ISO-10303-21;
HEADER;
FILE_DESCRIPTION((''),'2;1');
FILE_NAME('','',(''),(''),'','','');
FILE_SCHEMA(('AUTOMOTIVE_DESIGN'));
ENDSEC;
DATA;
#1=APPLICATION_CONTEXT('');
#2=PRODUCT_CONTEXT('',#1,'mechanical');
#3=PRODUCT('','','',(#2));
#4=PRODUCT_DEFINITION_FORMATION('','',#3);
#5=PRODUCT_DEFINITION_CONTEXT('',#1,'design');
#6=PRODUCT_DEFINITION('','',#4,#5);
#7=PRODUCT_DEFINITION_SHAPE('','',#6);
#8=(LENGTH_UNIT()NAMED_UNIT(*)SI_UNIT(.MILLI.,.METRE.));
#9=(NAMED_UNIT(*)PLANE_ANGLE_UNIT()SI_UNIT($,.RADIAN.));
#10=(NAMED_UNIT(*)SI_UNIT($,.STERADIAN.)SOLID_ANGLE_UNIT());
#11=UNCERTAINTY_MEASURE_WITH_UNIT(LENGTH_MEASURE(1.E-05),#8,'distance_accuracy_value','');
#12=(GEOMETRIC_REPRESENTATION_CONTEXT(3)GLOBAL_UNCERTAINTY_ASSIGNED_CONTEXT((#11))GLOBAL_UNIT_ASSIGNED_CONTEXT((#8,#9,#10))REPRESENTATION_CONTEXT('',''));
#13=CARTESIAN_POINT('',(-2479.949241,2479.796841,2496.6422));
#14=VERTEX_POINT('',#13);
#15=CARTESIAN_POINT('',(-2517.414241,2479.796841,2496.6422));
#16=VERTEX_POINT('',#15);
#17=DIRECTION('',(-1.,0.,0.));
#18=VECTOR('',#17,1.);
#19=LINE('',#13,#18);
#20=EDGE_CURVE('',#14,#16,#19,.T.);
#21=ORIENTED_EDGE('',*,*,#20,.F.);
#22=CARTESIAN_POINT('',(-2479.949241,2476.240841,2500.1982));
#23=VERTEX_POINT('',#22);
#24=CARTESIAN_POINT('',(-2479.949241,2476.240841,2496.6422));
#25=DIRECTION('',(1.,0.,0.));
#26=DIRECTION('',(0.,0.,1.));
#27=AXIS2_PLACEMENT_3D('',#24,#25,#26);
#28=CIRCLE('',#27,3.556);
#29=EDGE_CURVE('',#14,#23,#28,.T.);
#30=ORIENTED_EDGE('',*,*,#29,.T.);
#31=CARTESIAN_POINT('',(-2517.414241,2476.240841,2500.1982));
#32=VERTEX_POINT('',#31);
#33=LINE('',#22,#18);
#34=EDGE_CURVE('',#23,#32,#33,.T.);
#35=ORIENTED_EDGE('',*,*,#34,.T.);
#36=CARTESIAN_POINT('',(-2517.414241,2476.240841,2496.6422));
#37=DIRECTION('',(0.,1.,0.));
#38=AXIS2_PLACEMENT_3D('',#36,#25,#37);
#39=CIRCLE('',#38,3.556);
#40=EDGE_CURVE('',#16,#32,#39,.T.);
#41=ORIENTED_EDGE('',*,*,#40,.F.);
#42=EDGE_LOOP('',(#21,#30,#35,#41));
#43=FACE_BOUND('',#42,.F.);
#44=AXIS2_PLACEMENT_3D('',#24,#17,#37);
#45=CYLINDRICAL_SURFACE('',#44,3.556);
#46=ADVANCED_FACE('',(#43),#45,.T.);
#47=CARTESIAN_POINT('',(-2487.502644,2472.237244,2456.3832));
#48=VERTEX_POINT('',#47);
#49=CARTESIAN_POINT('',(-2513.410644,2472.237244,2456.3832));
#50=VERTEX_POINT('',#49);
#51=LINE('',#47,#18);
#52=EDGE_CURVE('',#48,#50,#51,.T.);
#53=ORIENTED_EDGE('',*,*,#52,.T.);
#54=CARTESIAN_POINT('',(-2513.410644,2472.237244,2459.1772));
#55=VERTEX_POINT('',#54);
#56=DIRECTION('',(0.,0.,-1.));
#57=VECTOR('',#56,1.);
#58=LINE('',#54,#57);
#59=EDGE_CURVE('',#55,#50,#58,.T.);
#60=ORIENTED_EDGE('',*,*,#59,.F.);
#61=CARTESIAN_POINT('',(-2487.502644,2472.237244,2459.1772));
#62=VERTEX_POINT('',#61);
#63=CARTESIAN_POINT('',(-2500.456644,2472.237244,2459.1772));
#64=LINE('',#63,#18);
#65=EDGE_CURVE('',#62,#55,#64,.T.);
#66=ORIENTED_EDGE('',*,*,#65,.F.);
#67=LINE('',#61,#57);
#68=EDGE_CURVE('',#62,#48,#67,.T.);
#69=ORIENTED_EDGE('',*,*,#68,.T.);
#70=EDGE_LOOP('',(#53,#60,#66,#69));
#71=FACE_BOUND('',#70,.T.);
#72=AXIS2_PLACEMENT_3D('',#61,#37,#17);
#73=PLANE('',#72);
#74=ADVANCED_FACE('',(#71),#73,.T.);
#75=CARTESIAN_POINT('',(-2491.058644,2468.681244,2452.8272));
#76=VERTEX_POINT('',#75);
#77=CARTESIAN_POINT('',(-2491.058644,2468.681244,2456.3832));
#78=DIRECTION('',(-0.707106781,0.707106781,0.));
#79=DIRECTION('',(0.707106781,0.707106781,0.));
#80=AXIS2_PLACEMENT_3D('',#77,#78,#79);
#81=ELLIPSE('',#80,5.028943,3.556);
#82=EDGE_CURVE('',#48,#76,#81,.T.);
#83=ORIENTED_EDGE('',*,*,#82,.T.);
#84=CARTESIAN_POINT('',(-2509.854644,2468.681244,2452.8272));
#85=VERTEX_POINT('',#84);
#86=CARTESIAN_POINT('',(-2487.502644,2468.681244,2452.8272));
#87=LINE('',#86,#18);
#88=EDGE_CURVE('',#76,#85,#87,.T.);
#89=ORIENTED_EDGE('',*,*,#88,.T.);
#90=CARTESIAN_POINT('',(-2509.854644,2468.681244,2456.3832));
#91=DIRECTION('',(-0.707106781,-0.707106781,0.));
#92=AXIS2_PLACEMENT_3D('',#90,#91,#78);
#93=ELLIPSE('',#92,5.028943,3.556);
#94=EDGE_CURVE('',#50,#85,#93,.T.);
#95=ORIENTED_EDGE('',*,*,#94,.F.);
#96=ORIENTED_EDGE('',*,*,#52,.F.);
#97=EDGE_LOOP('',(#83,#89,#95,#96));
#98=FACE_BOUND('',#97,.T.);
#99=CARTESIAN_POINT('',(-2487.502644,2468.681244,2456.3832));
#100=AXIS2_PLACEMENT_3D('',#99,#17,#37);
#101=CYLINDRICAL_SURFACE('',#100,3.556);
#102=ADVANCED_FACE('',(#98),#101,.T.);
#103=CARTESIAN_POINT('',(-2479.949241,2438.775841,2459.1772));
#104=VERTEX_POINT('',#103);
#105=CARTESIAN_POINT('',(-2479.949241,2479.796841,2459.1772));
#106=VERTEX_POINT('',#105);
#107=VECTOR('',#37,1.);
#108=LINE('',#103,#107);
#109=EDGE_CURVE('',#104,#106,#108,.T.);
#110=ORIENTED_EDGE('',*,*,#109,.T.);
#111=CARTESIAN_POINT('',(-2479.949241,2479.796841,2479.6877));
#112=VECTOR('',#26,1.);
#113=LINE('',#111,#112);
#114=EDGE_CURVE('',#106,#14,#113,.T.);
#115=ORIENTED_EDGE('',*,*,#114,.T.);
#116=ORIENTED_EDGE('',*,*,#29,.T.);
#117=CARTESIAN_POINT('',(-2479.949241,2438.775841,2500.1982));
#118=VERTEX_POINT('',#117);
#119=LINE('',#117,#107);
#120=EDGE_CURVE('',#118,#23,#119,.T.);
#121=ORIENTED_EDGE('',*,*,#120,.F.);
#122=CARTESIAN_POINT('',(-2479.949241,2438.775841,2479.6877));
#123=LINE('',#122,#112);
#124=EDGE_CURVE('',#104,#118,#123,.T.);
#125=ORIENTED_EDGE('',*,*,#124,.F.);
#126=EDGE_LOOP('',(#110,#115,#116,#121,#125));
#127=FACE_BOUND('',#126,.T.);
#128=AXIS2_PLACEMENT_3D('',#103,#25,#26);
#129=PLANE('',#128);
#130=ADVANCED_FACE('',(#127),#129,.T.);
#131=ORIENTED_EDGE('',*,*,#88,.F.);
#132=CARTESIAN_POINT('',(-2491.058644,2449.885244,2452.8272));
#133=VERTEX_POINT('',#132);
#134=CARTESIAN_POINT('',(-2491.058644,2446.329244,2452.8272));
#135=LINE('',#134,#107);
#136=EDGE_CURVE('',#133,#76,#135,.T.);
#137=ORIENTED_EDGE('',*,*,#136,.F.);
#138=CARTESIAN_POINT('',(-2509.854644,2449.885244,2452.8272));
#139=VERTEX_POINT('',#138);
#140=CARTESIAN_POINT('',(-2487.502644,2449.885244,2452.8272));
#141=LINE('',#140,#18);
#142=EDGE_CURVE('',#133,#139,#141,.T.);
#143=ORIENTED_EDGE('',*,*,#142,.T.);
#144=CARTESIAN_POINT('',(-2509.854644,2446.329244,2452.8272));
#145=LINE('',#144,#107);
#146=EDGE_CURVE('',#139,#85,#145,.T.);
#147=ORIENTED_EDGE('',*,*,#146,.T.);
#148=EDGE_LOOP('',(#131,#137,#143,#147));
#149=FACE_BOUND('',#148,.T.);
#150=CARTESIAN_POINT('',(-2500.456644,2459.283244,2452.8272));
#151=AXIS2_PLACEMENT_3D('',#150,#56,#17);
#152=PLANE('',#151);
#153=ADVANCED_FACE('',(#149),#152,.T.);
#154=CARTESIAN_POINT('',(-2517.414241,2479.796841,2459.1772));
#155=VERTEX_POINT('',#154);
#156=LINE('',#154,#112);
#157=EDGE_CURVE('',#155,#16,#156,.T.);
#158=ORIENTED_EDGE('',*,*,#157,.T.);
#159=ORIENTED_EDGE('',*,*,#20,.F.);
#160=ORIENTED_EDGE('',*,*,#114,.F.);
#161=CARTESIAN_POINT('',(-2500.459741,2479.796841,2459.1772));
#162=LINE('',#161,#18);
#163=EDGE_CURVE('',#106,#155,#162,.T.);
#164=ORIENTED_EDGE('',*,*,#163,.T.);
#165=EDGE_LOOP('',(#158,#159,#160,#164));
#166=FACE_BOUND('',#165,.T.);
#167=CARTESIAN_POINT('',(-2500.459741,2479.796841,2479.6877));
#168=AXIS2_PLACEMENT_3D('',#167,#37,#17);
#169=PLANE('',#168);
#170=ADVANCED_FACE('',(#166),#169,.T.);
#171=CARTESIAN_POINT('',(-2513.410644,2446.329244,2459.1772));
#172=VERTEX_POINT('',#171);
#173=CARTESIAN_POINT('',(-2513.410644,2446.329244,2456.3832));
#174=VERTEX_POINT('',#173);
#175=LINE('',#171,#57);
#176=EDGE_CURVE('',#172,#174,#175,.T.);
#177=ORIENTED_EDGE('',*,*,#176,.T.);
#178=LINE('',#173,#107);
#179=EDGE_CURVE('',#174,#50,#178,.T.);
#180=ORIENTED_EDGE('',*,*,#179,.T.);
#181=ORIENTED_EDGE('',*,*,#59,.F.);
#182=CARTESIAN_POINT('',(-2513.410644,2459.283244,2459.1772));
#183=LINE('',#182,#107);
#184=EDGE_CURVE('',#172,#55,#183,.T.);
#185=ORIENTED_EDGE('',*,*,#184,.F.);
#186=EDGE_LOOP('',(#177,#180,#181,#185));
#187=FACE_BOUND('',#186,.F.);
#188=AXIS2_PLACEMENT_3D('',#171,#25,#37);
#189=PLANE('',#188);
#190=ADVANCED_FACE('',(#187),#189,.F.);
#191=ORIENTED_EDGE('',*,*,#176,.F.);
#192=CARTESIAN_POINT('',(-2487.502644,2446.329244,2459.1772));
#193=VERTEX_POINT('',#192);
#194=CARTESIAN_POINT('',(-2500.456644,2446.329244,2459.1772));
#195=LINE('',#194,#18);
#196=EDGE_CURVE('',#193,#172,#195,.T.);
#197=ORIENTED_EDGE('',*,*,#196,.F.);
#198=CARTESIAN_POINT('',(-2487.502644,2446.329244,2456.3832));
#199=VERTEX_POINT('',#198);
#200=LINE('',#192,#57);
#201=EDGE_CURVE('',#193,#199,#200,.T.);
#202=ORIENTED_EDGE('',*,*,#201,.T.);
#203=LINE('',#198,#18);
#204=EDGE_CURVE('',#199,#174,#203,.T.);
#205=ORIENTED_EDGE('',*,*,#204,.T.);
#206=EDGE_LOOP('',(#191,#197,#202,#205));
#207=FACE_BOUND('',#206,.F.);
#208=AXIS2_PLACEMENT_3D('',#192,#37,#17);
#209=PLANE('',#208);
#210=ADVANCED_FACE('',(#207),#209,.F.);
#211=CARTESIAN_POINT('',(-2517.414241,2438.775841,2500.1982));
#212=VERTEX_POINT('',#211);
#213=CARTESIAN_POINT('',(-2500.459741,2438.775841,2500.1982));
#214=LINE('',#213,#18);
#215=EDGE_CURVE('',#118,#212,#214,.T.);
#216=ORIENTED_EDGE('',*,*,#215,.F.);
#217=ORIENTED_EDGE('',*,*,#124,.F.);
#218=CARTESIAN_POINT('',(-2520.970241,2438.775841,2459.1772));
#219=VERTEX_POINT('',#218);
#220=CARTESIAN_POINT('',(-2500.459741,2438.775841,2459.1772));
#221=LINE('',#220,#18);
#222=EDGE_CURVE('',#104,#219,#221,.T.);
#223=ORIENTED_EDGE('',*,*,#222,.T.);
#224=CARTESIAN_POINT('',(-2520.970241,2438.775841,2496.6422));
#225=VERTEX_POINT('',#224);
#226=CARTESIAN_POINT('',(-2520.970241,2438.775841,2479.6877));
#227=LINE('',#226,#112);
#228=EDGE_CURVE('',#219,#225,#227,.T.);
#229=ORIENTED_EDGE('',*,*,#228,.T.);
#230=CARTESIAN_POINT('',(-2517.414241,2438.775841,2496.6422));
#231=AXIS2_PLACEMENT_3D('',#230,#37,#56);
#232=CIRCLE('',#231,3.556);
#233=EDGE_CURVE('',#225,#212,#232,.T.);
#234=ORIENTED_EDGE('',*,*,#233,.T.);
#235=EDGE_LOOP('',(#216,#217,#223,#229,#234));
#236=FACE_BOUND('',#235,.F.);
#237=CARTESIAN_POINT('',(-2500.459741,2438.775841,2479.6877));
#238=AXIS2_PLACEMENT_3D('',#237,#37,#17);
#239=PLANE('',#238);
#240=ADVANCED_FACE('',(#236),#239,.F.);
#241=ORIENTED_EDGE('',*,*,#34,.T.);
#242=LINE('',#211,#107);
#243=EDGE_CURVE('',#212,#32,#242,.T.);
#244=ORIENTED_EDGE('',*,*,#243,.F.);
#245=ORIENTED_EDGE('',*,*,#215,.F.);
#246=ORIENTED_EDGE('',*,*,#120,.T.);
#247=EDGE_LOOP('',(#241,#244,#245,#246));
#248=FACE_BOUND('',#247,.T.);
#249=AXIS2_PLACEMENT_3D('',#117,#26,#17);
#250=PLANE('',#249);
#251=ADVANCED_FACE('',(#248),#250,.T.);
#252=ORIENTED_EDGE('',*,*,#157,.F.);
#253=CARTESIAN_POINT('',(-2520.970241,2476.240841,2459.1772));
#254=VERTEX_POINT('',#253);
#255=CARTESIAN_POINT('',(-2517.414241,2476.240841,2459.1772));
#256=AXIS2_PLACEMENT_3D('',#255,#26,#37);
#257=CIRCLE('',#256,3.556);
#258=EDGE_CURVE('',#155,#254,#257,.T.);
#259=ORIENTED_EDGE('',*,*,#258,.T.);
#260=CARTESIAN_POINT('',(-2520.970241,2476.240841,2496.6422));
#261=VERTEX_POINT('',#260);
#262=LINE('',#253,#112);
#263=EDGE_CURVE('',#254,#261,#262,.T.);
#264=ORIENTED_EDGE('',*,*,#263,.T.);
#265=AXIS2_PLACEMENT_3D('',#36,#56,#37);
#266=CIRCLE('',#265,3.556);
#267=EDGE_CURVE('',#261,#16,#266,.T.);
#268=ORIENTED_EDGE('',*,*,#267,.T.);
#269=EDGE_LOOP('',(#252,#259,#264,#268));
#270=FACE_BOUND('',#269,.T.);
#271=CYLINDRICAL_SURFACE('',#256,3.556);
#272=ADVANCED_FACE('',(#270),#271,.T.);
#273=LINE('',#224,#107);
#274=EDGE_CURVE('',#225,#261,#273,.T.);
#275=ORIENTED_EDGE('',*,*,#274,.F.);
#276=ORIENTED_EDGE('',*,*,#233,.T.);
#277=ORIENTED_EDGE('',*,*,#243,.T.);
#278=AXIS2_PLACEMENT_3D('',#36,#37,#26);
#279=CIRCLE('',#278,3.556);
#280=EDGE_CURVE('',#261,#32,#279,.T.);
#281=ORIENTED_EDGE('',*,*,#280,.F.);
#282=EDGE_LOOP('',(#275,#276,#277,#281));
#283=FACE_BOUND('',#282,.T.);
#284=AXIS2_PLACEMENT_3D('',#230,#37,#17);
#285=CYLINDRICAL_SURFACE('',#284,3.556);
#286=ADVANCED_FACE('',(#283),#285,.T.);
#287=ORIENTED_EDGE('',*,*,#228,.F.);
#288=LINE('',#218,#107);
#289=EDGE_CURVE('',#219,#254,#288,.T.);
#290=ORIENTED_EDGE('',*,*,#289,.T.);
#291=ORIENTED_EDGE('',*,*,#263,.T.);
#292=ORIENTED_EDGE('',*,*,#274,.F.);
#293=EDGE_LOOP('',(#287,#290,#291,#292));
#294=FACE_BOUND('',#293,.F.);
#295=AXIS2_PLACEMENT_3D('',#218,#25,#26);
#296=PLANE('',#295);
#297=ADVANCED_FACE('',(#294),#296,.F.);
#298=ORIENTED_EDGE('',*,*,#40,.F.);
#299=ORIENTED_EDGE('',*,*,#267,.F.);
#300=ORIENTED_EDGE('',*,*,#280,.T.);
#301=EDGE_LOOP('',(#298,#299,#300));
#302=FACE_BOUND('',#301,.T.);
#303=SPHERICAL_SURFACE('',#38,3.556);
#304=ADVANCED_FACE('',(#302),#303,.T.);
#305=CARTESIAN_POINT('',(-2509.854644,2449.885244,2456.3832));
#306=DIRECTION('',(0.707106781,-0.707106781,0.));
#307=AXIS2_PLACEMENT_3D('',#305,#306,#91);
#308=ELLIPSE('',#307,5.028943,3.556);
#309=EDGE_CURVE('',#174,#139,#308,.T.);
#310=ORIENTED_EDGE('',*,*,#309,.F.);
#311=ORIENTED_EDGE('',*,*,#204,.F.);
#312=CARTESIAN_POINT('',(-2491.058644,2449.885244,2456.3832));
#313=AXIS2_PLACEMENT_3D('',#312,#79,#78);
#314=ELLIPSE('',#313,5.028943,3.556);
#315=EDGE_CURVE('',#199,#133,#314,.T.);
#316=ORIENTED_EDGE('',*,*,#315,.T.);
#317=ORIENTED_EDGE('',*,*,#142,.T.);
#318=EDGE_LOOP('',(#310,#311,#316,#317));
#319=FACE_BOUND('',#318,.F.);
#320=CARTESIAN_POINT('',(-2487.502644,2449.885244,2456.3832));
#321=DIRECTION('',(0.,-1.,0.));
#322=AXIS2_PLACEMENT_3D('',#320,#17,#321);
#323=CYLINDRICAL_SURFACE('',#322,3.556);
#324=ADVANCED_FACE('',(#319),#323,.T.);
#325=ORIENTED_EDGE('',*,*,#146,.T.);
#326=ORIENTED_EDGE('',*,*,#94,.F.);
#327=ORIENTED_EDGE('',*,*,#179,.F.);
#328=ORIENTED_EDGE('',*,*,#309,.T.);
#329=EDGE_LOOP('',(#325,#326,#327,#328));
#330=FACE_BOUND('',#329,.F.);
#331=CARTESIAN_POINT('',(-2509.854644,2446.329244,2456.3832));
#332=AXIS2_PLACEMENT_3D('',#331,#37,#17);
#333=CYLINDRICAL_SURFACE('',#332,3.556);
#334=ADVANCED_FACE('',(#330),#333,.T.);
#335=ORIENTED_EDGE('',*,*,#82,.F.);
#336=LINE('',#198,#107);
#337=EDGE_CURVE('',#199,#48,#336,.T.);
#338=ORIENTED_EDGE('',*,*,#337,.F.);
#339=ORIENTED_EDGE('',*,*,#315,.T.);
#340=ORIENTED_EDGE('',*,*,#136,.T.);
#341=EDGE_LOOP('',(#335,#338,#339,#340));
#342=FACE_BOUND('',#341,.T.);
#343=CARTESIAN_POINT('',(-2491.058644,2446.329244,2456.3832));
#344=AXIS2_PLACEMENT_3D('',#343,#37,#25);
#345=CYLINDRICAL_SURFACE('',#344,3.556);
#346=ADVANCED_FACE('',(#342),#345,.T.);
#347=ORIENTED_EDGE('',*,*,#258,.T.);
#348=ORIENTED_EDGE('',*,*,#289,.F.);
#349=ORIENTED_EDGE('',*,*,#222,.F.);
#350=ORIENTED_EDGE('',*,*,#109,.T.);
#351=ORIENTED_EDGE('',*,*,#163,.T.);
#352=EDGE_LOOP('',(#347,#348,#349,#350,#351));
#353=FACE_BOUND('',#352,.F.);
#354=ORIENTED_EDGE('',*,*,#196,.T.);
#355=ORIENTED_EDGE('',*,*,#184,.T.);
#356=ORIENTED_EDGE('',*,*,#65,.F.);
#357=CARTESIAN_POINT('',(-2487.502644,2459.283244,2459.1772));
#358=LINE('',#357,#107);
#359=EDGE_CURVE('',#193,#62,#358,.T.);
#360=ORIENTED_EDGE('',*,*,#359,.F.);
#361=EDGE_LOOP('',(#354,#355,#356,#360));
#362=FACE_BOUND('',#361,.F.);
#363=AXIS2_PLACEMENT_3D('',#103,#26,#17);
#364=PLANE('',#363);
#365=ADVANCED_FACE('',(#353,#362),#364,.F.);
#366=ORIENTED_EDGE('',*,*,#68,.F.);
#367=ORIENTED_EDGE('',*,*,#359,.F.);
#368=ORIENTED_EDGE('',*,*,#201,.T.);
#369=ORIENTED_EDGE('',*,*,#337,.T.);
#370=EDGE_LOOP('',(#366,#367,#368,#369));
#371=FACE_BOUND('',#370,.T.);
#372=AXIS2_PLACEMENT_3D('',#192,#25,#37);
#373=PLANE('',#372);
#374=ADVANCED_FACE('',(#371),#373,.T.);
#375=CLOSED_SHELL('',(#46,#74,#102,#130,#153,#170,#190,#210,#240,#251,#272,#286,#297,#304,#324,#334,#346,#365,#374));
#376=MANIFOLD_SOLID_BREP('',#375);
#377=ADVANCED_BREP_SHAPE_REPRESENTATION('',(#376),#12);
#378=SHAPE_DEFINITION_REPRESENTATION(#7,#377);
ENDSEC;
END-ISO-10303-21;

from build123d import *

# Parameters (mm, degrees)
SKETCH063_W             = 41.021
SKETCH063_H             = 41.021
PAD053_DEPTH            = 41.021
SKETCH064_W             = 25.908
SKETCH064_H             = 25.908
PAD054_DEPTH            = 6.35
FILLET009_R             = 3.556
FILLET008_R             = 3.556
BODY043_PLACEMENT_ANGLE = 180


with BuildPart() as part:
    # Sketch063 → Pad053 (new body)
    with BuildSketch(Plane.XZ):
        with Locations((20.5105, 20.5105)):
            Rectangle(SKETCH063_W, SKETCH063_H)
    extrude(amount=PAD053_DEPTH)

    # Sketch064 (on Face3 of Pad053) → Pad054 (join)
    with BuildSketch(Plane(origin=(0, 0, 0), x_dir=(1, 0, 0), z_dir=(0, 0, -1))):
        with Locations((20.507403, 20.507403)):
            Rectangle(SKETCH064_W, SKETCH064_H)
    extrude(amount=PAD054_DEPTH)

    # Fillet009
    fillet009_edges = [part.edges().sort_by_distance(p)[0] for p in [
        (7.553403, -20.507403, -6.35),
        (20.507403, -33.461403, -6.35),
        (20.507403, -7.553403, -6.35),
        (33.461403, -20.507403, -6.35),
    ]]
    fillet(fillet009_edges, radius=FILLET009_R)

    # Fillet008
    fillet008_edges = [part.edges().sort_by_distance(p)[0] for p in [
        (20.5105, -41.021, 41.021),
        (41.021, -41.021, 20.5105),
        (41.021, -20.5105, 41.021),
    ]]
    fillet(fillet008_edges, radius=FILLET008_R)


with BuildPart() as part_1:
    # Body043 placement: moved
    add(part.part.moved(Location((-2479.949241, 2438.775841, 2459.1772))).rotate(Axis((-2479.949241, 2438.775841, 2459.1772), (0, 0, 1)), BODY043_PLACEMENT_ANGLE))


solid = part_1.part
